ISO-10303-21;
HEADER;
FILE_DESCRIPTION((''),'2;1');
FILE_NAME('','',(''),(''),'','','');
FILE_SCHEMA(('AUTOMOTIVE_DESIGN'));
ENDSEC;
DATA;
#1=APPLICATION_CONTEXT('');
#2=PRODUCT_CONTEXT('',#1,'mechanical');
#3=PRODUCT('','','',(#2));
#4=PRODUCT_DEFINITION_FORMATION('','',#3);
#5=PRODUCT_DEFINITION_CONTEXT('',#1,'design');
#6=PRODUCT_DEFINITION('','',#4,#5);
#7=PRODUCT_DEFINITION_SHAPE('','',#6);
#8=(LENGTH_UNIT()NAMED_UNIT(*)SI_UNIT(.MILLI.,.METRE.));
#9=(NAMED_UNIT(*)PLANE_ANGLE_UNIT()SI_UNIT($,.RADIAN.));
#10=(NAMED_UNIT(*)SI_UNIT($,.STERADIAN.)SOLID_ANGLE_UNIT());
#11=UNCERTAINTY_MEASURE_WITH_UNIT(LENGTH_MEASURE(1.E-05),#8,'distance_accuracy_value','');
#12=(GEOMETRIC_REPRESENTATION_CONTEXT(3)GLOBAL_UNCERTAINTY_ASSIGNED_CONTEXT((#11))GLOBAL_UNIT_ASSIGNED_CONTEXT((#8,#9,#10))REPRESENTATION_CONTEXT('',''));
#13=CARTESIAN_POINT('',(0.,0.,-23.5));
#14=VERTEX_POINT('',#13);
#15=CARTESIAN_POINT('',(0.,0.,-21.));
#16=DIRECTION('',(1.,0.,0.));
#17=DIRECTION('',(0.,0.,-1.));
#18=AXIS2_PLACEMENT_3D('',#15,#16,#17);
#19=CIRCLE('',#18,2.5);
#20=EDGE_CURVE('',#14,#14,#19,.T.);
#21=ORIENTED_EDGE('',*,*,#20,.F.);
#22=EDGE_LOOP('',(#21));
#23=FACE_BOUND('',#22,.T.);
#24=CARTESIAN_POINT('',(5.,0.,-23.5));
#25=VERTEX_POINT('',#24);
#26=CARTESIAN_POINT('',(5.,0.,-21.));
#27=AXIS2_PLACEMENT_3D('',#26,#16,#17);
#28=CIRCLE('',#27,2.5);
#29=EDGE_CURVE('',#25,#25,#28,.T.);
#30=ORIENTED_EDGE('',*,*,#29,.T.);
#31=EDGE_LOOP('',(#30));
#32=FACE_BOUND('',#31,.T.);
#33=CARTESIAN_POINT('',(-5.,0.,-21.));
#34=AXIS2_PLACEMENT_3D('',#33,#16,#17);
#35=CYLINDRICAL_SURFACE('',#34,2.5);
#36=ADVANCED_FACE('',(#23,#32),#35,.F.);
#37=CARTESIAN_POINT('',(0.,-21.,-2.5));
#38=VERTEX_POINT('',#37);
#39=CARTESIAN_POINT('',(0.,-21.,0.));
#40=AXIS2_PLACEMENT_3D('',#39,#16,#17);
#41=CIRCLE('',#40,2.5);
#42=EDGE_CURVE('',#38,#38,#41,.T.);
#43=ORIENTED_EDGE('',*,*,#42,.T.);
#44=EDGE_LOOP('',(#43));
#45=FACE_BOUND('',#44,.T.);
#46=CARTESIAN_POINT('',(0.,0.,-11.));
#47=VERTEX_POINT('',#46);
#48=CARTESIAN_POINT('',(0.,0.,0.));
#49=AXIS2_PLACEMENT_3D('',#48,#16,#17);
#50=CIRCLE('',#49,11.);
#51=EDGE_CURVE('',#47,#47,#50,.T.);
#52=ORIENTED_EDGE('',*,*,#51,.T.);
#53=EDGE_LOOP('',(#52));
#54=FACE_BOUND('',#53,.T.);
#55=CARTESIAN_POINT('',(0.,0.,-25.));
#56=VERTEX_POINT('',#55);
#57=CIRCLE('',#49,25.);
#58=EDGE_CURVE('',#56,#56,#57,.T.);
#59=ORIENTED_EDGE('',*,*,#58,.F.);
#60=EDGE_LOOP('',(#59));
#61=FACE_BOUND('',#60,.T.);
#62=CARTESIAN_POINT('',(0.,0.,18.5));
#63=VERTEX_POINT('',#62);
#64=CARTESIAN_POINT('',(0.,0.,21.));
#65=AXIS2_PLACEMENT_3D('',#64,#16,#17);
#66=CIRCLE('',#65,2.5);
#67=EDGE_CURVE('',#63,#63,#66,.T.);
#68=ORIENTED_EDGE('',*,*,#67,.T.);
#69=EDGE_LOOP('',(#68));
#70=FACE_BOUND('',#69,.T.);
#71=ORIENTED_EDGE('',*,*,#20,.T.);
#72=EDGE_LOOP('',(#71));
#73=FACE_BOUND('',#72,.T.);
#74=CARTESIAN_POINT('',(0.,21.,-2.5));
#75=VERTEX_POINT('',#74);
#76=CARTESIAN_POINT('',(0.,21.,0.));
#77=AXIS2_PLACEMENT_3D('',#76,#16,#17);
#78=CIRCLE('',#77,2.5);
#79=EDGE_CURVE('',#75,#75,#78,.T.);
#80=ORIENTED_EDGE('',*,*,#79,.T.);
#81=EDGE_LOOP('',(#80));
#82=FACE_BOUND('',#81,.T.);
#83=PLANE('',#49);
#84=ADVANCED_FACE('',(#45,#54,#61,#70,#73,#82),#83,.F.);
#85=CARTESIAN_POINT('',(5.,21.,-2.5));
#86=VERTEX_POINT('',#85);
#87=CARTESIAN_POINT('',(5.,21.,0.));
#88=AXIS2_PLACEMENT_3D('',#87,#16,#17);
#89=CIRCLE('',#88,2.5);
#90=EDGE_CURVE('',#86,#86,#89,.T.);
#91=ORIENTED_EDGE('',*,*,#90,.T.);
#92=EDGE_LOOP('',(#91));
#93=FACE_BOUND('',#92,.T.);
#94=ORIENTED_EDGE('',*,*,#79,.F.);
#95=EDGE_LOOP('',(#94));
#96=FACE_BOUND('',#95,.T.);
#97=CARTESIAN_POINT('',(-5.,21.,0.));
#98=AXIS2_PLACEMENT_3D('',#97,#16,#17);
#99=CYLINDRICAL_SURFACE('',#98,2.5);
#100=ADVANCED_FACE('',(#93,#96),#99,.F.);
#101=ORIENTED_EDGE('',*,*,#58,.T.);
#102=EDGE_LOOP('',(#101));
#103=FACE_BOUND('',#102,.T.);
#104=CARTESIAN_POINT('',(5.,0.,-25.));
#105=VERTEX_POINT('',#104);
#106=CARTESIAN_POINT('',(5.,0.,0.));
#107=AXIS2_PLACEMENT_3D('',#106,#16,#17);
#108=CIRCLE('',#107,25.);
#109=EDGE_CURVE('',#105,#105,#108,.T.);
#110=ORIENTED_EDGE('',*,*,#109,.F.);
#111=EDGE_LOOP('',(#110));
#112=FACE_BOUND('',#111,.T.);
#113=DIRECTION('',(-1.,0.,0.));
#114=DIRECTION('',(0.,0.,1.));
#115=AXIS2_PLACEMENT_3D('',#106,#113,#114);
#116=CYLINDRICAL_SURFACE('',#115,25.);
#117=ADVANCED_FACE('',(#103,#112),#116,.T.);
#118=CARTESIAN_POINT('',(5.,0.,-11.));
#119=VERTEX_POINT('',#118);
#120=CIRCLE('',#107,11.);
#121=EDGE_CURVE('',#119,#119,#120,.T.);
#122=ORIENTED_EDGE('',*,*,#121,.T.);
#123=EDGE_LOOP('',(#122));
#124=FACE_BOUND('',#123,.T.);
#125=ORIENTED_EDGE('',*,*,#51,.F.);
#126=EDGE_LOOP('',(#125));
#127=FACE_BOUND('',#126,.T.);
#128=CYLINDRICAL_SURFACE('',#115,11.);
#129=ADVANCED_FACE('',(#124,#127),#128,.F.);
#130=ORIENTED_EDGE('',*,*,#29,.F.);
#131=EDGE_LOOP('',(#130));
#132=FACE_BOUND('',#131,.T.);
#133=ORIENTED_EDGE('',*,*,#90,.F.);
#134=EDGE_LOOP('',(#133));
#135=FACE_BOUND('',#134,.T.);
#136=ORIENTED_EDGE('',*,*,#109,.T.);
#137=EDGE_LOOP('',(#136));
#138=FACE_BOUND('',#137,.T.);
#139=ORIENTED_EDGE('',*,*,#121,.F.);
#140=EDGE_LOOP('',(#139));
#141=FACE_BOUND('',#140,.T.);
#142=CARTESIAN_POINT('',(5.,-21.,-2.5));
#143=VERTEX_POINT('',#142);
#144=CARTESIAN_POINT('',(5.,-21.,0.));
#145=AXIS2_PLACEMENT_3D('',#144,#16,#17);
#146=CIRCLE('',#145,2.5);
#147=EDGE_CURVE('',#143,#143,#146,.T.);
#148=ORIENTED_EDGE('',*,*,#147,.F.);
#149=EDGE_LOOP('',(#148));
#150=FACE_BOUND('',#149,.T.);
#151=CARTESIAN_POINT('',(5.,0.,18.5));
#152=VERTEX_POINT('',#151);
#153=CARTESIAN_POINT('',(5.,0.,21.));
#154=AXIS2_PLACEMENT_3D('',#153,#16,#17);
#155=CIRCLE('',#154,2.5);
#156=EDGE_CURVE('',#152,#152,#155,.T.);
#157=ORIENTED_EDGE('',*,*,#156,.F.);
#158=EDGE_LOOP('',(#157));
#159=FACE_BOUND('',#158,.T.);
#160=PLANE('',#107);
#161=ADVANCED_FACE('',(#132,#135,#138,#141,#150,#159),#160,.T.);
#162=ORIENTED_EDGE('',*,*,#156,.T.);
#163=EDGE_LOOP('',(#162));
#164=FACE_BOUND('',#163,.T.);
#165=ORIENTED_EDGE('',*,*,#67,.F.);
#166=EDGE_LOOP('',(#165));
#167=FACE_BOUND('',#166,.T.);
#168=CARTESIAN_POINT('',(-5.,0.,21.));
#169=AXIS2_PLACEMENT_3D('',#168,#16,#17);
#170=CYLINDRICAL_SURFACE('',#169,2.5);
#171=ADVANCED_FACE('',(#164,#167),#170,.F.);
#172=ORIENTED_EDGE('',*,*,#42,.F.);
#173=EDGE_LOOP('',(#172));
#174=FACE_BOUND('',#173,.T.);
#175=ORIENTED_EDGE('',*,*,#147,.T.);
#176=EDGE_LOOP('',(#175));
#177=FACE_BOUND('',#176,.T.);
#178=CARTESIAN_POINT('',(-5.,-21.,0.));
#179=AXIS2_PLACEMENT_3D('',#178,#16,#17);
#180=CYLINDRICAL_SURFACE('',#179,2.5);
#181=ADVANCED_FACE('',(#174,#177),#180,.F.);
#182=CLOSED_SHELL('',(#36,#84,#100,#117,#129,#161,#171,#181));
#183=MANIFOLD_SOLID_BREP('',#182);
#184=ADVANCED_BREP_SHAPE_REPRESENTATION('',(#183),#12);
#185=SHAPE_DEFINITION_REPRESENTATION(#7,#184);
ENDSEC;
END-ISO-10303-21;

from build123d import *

# Parameters (mm, degrees)
CROQUIS1_R              = 25
CROQUIS1_R_2            = 11
SALIENTE_EXTRUIR1_DEPTH = 5
CROQUIS2_R              = 2.5
CORTAR_EXTRUIR1_DEPTH   = 10


with BuildPart() as part:
    # Croquis1 → Saliente-Extruir1 (new body)
    with BuildSketch(Plane(origin=(0, 0, 0), x_dir=(0, 0, -1), z_dir=(1, 0, 0))):
        Circle(CROQUIS1_R)
        Circle(CROQUIS1_R_2, mode=Mode.SUBTRACT)
    extrude(amount=SALIENTE_EXTRUIR1_DEPTH)

    # Croquis2 → Cortar-Extruir1 (cut)
    with BuildSketch(Plane(origin=(5, 0, 0), x_dir=(0, 0, -1), z_dir=(1, 0, 0))):
        with Locations((0, 21)):
            Circle(CROQUIS2_R)
        with Locations((21, 0)):
            Circle(CROQUIS2_R)
        with Locations((0, -21)):
            Circle(CROQUIS2_R)
        with Locations((-21, 0)):
            Circle(CROQUIS2_R)
    extrude(amount=-CORTAR_EXTRUIR1_DEPTH, mode=Mode.SUBTRACT)


solid = part.part
